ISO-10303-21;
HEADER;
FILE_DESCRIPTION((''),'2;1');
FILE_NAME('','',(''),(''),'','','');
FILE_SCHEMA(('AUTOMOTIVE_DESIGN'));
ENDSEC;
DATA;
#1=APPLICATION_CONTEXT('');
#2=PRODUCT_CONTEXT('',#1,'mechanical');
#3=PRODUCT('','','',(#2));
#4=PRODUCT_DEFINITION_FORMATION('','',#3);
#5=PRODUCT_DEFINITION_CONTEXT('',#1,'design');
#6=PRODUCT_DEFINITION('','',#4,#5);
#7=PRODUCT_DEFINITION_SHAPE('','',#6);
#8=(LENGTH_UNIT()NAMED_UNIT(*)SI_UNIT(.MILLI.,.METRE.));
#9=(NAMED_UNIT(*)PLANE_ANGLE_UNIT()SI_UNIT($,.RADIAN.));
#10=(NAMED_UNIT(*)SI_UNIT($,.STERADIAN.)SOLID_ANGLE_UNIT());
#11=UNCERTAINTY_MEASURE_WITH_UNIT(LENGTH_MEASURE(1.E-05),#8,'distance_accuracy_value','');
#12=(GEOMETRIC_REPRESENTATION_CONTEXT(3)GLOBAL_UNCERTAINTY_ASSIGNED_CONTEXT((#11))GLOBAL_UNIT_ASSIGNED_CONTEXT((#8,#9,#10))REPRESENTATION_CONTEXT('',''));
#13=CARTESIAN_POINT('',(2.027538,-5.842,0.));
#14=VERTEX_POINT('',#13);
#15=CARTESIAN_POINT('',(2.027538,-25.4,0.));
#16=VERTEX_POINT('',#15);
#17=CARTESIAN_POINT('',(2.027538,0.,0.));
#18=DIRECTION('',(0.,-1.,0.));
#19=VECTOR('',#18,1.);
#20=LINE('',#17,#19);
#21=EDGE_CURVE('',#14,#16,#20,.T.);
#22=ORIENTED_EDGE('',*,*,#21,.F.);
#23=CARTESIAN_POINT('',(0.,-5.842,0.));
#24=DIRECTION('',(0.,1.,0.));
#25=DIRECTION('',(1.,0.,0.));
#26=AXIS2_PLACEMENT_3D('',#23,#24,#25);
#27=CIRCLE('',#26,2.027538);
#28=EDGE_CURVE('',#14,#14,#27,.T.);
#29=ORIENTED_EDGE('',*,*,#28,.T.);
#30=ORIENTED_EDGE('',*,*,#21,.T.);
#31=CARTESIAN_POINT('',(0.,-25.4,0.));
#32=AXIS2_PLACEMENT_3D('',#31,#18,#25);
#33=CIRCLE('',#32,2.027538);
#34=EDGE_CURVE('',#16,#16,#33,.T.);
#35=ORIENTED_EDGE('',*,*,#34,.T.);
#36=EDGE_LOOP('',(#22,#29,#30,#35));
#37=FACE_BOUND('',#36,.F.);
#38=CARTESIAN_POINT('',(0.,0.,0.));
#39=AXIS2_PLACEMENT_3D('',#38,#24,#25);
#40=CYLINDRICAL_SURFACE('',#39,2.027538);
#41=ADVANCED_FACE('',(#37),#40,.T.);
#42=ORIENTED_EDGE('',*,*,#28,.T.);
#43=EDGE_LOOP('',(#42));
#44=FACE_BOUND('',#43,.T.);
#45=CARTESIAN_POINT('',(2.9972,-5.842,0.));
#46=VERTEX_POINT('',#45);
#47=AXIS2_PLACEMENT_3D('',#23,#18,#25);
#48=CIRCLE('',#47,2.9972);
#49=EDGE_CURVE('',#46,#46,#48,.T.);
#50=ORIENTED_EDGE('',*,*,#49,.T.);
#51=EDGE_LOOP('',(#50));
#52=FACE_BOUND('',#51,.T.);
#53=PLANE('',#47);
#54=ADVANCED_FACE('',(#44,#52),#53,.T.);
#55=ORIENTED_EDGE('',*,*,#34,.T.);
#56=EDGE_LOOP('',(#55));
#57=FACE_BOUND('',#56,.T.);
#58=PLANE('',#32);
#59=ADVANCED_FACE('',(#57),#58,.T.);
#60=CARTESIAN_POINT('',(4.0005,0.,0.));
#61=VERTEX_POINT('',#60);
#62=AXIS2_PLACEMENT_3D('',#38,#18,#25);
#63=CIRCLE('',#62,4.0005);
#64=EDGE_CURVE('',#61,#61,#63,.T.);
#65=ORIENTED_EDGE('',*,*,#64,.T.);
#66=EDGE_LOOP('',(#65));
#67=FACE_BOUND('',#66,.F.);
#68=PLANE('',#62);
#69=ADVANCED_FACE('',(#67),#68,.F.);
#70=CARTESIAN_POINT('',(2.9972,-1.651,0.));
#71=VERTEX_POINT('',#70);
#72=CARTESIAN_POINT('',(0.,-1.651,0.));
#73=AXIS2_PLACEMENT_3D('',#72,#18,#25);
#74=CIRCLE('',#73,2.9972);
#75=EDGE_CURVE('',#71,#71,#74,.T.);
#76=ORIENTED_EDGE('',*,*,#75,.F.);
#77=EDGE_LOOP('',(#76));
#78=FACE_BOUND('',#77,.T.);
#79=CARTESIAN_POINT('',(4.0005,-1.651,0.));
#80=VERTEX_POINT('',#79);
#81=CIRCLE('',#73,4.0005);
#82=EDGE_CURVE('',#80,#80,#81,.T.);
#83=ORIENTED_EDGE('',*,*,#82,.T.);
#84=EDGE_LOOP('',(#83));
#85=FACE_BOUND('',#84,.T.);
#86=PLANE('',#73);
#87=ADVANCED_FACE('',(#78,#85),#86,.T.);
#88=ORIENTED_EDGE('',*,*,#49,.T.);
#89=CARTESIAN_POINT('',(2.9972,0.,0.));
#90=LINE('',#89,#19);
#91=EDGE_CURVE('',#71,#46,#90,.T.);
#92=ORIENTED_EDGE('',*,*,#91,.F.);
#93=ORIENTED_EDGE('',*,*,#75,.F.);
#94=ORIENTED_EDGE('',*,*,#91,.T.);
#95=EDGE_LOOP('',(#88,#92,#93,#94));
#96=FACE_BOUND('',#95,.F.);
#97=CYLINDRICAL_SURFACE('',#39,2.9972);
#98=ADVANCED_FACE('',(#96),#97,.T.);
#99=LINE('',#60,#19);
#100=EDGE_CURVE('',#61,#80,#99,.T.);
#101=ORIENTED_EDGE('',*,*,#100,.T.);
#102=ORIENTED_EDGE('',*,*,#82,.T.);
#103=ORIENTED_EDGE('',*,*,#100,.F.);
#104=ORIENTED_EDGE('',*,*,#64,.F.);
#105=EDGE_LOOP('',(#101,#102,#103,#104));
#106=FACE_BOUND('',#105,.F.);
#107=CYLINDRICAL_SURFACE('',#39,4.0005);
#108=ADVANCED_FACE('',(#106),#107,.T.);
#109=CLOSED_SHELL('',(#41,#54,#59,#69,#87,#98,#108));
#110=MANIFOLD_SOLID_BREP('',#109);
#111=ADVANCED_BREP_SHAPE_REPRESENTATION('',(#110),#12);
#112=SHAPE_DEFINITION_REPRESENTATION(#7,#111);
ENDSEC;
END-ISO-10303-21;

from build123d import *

# Parameters (mm, degrees)
F0_R     = 2.9972
F1_DEPTH = 5.842
F0_R_2   = 4.0005
F2_DEPTH = 1.651
F3_R     = 2.027538
F4_DEPTH = 25.4


with BuildPart() as f1:
    # F0 (on Front) → F1 (new body)
    with BuildSketch(Plane.XZ):
        Circle(F0_R)
    extrude(amount=F1_DEPTH)

    # F0 (on Front) → F2 (join)
    with BuildSketch(Plane.XZ):
        Circle(F0_R_2)
        Circle(F0_R, mode=Mode.SUBTRACT)
    extrude(amount=F2_DEPTH)

    # F3 (on Front) → F4 (join)
    with BuildSketch(Plane.XZ):
        Circle(F3_R)
    extrude(amount=F4_DEPTH)


solid = f1.part
